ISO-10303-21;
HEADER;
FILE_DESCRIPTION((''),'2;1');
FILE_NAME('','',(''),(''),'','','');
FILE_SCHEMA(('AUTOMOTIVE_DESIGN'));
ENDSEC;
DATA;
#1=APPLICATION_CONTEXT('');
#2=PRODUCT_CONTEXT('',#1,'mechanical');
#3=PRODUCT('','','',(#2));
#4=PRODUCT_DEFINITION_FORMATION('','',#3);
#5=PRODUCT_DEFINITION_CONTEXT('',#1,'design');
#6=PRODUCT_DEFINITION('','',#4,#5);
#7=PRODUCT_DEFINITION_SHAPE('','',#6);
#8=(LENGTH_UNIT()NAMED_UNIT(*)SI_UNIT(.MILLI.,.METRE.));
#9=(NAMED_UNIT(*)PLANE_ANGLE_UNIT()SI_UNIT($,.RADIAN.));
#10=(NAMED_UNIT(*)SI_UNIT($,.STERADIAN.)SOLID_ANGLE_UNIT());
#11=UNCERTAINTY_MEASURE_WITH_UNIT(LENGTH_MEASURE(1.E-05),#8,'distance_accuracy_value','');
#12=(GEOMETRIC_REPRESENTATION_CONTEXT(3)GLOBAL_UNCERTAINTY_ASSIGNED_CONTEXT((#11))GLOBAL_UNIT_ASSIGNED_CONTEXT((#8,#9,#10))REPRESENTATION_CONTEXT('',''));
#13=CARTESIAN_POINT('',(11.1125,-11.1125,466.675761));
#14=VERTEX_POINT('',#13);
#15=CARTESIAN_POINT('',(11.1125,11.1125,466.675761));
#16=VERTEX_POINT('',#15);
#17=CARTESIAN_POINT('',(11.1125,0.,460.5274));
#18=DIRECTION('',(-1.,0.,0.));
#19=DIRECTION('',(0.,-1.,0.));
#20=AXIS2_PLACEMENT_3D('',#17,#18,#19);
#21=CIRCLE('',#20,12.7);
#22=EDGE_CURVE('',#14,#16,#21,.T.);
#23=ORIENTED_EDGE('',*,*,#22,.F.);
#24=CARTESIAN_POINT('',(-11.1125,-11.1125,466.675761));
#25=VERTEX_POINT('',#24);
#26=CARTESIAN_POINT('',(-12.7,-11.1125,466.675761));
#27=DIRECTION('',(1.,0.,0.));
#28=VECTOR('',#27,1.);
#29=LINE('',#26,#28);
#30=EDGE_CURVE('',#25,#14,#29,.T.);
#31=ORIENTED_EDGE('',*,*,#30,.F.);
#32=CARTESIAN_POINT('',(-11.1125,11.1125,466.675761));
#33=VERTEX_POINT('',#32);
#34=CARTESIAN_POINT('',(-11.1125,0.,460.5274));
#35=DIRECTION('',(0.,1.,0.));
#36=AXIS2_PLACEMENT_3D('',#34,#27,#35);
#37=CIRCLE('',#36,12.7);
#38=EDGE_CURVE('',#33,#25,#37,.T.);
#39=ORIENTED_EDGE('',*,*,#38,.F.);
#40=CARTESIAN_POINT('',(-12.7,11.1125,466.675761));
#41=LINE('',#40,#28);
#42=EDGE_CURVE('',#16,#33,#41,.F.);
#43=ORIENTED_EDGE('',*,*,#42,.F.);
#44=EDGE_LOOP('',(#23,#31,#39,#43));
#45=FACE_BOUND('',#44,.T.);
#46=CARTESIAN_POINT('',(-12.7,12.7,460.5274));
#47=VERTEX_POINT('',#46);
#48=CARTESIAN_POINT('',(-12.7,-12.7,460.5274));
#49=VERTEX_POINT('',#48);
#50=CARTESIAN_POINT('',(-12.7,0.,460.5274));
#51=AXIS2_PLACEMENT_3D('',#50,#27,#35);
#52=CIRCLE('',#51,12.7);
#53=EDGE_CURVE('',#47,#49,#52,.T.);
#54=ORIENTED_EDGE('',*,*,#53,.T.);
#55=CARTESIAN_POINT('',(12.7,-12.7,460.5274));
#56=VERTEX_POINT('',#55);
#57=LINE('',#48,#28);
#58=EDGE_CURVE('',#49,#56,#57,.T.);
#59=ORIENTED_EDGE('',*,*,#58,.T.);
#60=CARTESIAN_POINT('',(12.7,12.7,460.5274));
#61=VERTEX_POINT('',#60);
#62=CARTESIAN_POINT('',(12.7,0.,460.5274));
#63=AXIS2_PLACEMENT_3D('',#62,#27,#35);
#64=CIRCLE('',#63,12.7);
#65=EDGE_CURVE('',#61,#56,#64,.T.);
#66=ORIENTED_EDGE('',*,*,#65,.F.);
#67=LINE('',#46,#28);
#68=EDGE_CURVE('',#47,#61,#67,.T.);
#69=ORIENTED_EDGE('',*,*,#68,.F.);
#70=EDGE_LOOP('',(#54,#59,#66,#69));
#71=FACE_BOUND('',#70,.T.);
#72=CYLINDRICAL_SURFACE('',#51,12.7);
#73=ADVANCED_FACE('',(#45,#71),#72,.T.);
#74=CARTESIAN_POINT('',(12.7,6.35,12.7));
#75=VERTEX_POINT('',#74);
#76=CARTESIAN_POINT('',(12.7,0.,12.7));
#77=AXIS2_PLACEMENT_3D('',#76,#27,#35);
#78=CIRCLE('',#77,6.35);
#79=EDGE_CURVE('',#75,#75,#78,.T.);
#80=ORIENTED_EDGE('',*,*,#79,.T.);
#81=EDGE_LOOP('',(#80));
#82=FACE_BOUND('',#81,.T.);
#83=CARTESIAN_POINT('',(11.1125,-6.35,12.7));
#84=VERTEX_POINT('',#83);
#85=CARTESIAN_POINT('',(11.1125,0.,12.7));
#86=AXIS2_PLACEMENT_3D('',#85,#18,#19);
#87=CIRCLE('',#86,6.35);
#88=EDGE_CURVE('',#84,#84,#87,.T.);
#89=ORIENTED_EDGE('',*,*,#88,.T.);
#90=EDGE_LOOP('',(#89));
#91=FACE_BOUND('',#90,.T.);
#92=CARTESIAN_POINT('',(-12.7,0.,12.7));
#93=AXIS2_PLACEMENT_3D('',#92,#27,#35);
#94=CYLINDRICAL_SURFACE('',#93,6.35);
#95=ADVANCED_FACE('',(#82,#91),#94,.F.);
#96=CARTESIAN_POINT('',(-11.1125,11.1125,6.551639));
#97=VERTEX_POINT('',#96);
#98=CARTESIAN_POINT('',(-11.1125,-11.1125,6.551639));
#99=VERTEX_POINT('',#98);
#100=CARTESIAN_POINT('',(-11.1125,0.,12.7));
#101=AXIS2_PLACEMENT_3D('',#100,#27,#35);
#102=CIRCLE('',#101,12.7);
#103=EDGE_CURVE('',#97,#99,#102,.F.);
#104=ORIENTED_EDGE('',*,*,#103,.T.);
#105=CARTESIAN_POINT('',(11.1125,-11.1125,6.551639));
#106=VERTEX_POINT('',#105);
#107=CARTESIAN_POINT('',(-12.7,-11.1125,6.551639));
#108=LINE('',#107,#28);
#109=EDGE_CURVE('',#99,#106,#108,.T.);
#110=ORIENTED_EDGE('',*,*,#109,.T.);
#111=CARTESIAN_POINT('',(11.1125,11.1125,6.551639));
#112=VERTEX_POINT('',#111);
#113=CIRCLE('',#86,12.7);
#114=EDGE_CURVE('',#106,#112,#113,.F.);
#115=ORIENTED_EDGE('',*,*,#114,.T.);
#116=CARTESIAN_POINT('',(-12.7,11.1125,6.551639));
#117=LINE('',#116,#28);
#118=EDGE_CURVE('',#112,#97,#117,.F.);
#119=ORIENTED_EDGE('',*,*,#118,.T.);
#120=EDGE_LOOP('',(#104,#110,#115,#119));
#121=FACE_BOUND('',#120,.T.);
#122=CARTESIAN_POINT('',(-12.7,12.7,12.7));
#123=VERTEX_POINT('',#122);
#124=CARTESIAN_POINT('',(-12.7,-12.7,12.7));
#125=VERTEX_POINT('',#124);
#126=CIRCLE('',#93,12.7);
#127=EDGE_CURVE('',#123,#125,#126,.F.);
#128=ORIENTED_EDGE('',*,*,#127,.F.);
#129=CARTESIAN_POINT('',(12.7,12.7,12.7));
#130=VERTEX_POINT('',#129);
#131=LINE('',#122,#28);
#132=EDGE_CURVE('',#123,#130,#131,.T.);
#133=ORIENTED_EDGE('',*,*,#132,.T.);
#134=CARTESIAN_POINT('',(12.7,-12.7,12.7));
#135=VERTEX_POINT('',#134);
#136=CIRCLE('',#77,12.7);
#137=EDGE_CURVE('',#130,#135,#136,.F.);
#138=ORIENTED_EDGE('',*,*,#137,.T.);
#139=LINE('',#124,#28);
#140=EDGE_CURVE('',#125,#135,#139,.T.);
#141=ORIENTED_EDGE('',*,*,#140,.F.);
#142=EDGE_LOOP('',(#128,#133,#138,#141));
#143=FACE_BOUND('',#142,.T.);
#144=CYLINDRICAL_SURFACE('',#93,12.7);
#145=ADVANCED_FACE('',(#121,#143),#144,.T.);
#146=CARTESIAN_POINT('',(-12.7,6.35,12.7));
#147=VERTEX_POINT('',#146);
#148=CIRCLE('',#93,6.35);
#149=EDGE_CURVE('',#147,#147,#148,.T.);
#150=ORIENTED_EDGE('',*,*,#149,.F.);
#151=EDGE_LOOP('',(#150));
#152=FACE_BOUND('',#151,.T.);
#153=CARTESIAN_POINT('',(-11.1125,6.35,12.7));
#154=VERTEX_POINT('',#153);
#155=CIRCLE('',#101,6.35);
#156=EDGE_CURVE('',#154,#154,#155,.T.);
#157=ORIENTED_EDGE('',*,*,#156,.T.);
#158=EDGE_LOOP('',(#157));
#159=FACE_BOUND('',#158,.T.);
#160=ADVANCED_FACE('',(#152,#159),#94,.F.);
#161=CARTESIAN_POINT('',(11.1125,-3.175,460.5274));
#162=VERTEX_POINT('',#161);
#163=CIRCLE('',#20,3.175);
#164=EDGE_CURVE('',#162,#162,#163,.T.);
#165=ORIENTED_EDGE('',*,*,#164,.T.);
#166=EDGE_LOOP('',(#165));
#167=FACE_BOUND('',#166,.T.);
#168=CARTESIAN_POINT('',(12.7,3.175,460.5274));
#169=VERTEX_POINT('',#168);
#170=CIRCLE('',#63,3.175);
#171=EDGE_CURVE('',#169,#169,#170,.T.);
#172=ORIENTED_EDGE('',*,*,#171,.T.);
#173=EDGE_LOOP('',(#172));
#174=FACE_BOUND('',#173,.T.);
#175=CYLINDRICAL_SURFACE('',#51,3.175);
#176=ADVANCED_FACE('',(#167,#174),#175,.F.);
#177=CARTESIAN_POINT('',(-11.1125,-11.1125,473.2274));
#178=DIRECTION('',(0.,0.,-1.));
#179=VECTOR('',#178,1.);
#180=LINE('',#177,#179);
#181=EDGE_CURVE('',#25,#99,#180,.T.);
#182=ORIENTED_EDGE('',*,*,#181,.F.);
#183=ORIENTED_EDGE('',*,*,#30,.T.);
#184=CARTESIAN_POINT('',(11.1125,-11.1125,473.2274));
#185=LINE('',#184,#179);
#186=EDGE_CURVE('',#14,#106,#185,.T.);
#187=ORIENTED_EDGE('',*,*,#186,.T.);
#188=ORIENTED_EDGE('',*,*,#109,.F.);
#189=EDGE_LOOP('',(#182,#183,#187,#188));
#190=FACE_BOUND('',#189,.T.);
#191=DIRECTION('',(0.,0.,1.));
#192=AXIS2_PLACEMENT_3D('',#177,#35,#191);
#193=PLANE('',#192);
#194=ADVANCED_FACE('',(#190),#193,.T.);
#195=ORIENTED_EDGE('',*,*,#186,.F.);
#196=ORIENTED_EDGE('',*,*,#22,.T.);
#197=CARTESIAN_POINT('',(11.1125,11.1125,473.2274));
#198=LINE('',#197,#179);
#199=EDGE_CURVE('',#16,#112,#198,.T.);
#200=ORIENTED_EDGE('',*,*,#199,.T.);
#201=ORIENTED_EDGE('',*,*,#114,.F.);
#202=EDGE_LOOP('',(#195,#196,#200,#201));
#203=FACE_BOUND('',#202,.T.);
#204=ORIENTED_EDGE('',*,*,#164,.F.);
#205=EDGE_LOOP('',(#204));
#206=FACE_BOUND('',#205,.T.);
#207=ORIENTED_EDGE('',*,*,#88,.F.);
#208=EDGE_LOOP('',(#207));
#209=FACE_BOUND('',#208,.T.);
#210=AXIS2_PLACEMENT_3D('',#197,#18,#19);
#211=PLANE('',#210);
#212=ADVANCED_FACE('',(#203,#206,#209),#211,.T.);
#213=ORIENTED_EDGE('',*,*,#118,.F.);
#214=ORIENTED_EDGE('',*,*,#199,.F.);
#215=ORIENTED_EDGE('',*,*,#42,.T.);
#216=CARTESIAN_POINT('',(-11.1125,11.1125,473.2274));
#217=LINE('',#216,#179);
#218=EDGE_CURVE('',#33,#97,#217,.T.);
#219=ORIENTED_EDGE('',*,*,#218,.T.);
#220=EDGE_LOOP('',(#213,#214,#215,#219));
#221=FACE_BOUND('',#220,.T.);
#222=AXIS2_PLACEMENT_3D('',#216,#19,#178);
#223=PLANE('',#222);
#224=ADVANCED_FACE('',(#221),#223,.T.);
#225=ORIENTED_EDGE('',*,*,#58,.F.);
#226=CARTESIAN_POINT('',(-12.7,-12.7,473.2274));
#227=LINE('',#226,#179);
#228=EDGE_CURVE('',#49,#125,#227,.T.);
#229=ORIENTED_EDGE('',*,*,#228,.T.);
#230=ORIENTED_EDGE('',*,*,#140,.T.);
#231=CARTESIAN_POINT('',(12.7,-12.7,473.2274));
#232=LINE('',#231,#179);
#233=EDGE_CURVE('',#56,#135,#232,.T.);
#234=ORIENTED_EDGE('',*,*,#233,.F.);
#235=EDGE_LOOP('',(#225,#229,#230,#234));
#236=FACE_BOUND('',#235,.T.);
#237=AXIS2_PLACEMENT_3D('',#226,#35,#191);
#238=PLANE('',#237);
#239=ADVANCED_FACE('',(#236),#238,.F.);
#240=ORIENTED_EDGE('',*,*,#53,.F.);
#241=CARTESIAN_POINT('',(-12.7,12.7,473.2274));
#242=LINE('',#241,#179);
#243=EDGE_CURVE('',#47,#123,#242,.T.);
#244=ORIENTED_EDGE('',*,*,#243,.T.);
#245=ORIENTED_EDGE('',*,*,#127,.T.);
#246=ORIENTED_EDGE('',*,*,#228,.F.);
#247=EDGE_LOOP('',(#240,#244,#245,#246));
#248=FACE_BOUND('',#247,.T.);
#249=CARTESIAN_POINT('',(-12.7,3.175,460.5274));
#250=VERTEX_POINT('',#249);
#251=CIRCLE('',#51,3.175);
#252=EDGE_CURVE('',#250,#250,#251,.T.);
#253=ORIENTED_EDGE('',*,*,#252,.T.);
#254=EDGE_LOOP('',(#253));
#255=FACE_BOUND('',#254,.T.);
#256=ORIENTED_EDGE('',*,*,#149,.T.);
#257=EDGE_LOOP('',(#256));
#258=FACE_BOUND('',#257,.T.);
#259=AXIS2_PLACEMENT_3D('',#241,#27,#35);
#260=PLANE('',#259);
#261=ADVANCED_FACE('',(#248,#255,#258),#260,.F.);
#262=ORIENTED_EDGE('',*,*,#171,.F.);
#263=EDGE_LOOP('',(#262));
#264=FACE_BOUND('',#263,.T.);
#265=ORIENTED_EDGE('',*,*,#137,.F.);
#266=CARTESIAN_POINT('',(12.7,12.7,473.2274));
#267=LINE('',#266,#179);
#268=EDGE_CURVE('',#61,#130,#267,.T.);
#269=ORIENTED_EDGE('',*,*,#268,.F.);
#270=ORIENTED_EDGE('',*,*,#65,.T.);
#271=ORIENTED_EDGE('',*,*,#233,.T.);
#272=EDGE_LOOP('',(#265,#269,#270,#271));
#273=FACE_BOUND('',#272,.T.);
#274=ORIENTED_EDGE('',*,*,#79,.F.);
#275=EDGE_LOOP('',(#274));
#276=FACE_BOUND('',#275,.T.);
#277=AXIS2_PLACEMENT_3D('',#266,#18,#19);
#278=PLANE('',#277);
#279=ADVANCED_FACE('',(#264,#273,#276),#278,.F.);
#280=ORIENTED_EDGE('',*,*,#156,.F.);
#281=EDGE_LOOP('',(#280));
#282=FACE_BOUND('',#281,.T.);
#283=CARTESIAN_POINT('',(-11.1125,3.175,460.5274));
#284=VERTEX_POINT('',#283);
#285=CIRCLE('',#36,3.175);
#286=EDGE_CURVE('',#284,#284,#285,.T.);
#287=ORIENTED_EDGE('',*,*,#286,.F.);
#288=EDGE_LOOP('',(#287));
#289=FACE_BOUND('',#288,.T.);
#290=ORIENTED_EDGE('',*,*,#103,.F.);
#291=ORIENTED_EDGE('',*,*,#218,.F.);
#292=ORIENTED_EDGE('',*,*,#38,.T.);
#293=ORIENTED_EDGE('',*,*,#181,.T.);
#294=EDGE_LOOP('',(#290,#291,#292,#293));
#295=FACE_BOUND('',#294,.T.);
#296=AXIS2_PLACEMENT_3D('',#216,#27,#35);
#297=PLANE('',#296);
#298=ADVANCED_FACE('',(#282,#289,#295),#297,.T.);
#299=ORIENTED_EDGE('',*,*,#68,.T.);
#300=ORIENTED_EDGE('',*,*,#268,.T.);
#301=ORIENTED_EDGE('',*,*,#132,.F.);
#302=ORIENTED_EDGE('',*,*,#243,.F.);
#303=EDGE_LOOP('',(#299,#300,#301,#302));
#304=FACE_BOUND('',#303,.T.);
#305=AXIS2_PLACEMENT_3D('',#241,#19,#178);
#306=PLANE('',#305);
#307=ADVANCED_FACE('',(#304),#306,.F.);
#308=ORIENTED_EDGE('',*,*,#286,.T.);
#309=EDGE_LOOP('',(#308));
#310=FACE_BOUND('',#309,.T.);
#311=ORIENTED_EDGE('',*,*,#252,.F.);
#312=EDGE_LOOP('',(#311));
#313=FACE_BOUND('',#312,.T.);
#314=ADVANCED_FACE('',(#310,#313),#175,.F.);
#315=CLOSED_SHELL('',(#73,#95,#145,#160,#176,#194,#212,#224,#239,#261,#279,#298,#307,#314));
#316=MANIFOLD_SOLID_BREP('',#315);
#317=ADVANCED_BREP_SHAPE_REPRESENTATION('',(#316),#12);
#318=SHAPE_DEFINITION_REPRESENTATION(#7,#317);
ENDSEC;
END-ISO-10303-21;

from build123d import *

# Parameters (mm, degrees)
SKETCH1_W           = 25.4
SKETCH1_H           = 25.4
SKETCH1_W_2         = 22.225
SKETCH1_H_2         = 22.225
BOSS_EXTRUDE1_DEPTH = 473.2274
CUT_EXTRUDE1_DEPTH  = 26.4
SKETCH3_R           = 3.175
SKETCH3_R_2         = 6.35
CUT_EXTRUDE2_DEPTH  = 26.4
CUT_EXTRUDE3_DEPTH  = 26.4


with BuildPart() as part:
    # Sketch1 → Boss-Extrude1 (new body)
    with BuildSketch(Plane.XY):
        Rectangle(SKETCH1_W, SKETCH1_H)
        Rectangle(SKETCH1_W_2, SKETCH1_H_2, mode=Mode.SUBTRACT)
    extrude(amount=BOSS_EXTRUDE1_DEPTH)

    # Sketch2 → Cut-Extrude1 (cut, through all)
    with BuildSketch(Plane(origin=(12.7, 0, 0), x_dir=(0, 0, -1), z_dir=(1, 0, 0))):
        with BuildLine():
            Line((-460.5274, 12.7), (-473.2274, 12.7))
            Line((-473.2274, 12.7), (-473.2274, 9.7e-08))
            ThreePointArc((-473.2274, 9.7e-08), (-469.507656087, 8.980256155), (-460.5274, 12.7))
        make_face()
        with BuildLine():
            ThreePointArc((-460.5274, -12.7), (-469.507656155, -8.980256087), (-473.2274, 9.7e-08))
            Line((-473.2274, 9.7e-08), (-473.2274, -12.7))
            Line((-473.2274, -12.7), (-460.5274, -12.7))
        make_face()
    extrude(amount=-CUT_EXTRUDE1_DEPTH, mode=Mode.SUBTRACT)

    # Sketch3 → Cut-Extrude2 (cut, through all)
    with BuildSketch(Plane(origin=(12.7, 0, 0), x_dir=(0, 0, -1), z_dir=(1, 0, 0))):
        with Locations((-460.5274, 0)):
            Circle(SKETCH3_R)
        with Locations((-12.7, 0)):
            Circle(SKETCH3_R_2)
    extrude(amount=-CUT_EXTRUDE2_DEPTH, mode=Mode.SUBTRACT)

    # Sketch5 → Cut-Extrude3 (cut, through all)
    with BuildSketch(Plane(origin=(12.7, 0, 0), x_dir=(0, 0, -1), z_dir=(1, 0, 0))):
        with BuildLine():
            Line((0, 12.7), (-12.7, 12.7))
            ThreePointArc((-12.7, 12.7), (-3.719743879, 8.980256121), (0, 0))
            Line((0, 0), (0, 12.7))
        make_face()
        with BuildLine():
            Line((0, -12.7), (0, 0))
            ThreePointArc((0, 0), (-3.719743879, -8.980256121), (-12.7, -12.7))
            Line((-12.7, -12.7), (0, -12.7))
        make_face()
    extrude(amount=-CUT_EXTRUDE3_DEPTH, mode=Mode.SUBTRACT)


solid = part.part
